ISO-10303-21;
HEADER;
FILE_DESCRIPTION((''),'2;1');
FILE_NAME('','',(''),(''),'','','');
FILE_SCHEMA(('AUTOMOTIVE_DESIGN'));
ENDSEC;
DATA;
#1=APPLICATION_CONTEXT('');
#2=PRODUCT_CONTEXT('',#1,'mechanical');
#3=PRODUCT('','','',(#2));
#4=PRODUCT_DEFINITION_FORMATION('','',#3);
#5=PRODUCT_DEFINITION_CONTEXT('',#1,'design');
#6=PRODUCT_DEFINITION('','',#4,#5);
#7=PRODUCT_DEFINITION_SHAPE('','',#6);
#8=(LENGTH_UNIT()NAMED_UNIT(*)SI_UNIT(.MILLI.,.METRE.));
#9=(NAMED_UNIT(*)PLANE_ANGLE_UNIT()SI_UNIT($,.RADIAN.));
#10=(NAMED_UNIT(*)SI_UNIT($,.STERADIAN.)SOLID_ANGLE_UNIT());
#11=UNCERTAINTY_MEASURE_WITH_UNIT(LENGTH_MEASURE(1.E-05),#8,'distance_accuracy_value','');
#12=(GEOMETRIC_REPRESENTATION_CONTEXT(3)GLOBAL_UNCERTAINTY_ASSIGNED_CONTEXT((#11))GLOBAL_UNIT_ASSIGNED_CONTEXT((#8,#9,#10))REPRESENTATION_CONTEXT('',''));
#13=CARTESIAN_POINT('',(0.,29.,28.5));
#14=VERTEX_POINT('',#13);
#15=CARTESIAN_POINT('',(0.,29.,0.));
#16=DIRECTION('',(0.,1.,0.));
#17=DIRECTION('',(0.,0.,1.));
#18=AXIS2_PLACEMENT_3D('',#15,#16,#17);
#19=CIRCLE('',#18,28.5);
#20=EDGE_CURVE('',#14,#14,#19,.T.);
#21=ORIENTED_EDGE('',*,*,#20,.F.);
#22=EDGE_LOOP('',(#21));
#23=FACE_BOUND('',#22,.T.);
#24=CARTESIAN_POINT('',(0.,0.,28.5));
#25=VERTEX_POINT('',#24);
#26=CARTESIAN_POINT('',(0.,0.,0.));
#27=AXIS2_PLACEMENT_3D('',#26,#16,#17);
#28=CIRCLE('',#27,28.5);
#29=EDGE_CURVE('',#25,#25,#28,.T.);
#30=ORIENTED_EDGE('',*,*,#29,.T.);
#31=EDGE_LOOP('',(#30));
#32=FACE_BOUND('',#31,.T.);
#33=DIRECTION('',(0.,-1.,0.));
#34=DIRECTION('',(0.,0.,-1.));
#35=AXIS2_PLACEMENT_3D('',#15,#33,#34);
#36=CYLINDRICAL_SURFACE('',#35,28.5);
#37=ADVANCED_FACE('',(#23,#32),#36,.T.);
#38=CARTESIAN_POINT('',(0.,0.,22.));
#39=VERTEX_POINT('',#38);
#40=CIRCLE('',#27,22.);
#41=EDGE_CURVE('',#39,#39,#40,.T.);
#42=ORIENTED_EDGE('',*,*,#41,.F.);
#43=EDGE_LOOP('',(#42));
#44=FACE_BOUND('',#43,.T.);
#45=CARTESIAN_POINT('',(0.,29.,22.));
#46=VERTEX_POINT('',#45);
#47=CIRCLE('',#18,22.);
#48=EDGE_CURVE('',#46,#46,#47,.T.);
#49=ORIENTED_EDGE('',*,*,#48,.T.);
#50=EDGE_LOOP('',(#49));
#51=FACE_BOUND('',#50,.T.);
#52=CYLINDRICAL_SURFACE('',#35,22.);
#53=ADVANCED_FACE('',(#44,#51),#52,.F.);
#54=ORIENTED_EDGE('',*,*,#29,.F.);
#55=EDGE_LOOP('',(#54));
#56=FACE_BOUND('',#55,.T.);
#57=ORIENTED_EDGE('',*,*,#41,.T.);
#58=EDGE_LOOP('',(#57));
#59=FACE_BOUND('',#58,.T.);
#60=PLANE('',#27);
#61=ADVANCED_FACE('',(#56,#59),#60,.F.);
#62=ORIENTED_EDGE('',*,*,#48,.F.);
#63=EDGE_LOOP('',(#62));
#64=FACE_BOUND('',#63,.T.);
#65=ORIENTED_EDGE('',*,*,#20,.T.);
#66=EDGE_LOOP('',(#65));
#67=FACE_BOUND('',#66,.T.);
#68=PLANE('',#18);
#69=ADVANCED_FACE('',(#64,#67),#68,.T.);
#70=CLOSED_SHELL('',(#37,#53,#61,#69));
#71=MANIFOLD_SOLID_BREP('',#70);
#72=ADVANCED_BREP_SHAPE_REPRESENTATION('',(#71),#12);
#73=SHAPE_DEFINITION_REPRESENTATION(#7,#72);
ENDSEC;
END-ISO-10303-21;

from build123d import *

# Parameters (mm, degrees)
SKETCH1_R           = 28.5
SKETCH1_R_2         = 22
BOSS_EXTRUDE1_DEPTH = 29


with BuildPart() as part:
    # Sketch1 → Boss-Extrude1 (new body)
    with BuildSketch(Plane(origin=(0, 0, 0), x_dir=(1, 0, 0), z_dir=(0, 1, 0))):
        with Locations(Location((0, 0, 0), (0, 0, 270))):
            Circle(SKETCH1_R)
        with Locations(Location((0, 0, 0), (0, 0, 270))):
            Circle(SKETCH1_R_2, mode=Mode.SUBTRACT)
    extrude(amount=BOSS_EXTRUDE1_DEPTH)


solid = part.part
